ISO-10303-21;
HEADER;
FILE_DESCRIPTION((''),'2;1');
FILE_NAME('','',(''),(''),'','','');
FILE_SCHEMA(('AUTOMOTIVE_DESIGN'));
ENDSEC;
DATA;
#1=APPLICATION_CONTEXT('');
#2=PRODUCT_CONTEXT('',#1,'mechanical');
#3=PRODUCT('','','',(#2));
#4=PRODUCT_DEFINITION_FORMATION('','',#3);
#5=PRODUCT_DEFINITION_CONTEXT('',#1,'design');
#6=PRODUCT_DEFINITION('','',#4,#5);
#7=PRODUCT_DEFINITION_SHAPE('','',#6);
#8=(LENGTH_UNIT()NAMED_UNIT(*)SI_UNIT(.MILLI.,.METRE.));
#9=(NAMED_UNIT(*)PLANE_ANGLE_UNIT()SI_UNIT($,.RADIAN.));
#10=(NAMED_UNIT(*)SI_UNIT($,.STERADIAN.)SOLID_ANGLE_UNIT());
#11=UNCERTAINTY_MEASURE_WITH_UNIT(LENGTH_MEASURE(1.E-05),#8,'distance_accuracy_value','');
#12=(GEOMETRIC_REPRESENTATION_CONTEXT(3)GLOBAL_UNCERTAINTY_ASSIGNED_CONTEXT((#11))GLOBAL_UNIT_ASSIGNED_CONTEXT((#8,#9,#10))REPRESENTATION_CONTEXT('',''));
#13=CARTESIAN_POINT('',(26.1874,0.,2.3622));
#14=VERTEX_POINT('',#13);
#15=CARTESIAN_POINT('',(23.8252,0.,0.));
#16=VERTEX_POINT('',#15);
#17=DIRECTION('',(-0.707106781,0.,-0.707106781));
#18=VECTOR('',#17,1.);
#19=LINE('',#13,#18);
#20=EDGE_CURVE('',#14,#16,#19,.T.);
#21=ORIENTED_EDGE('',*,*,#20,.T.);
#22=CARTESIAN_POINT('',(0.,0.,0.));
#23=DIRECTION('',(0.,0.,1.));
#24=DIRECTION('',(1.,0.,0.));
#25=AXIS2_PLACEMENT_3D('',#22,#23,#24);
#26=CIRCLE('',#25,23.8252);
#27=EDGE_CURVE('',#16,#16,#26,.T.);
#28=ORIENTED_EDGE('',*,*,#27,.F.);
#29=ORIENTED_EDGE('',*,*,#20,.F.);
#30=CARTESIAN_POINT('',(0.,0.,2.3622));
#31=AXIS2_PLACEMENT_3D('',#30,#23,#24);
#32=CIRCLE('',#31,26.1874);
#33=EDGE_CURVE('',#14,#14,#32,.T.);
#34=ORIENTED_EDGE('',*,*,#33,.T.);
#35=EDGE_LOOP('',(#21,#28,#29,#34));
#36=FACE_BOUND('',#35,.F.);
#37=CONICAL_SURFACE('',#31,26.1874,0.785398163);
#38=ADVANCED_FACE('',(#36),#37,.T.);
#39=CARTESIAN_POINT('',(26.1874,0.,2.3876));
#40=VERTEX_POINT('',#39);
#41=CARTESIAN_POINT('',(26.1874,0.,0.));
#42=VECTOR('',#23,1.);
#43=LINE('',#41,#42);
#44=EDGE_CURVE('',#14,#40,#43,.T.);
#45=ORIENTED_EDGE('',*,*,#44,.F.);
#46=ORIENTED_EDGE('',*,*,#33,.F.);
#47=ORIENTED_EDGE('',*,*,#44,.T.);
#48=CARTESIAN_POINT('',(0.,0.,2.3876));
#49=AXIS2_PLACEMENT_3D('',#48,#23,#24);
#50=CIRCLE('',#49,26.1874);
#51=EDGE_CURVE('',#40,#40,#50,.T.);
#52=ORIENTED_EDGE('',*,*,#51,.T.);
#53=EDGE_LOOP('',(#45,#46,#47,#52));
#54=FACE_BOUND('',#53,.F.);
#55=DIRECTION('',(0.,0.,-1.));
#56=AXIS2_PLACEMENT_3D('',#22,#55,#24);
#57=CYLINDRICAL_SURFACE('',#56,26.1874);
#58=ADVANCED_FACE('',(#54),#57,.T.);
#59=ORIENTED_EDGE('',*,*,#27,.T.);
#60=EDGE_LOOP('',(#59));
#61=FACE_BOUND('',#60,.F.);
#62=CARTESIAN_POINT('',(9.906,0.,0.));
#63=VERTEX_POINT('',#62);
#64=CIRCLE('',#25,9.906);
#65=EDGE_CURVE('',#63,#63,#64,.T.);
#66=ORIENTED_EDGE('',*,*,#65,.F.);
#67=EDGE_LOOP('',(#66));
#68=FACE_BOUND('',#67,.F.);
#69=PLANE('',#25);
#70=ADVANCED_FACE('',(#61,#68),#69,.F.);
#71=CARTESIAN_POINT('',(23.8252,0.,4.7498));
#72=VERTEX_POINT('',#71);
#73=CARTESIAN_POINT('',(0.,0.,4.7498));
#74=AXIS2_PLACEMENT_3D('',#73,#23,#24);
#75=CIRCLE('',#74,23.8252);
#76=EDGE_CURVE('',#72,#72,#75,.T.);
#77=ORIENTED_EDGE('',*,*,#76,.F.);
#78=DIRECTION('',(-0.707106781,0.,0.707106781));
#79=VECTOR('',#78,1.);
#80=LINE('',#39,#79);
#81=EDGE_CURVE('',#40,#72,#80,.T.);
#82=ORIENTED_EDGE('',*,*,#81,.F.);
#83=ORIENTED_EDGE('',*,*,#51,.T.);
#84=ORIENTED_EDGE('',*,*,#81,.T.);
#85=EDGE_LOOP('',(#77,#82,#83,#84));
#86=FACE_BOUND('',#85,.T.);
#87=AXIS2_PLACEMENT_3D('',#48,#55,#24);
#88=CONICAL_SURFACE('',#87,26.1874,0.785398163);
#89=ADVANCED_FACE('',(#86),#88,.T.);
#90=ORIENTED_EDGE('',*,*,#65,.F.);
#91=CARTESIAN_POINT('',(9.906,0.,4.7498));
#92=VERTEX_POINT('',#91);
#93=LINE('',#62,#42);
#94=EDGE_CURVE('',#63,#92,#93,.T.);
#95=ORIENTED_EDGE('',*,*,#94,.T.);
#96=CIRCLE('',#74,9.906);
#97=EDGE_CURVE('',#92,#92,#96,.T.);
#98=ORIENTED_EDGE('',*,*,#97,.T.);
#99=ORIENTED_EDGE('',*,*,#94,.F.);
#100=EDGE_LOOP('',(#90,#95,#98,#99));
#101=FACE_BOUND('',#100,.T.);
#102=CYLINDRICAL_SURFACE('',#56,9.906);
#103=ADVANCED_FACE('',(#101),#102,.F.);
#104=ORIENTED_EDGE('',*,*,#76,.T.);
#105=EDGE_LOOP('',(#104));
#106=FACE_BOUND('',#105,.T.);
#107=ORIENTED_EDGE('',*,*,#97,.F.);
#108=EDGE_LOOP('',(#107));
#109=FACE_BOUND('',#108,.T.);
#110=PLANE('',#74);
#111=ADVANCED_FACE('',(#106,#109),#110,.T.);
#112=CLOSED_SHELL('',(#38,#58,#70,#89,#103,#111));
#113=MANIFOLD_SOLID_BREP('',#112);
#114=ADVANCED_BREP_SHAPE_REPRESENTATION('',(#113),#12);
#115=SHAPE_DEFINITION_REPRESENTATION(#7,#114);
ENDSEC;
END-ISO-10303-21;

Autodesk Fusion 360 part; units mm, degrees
sketch "Sketch1" plane through (0, 0, 0) normal (0, 0, 1) x (1, 0, 0)
  circle A0 centre (0, 0) radius 26.1874
  circle A1 centre (0, 0) radius 9.906
  dimension "d1" = 52.3748
  dimension "d2" = 19.812
extrude "Extrude1" add sketch "Sketch1" along normal blind 4.7498
chamfer "Chamfer1" distance 2.3622 angle 45 2 edges at (-24.4152, -9.4698, 4.7498) (-24.4152, -9.4698, 0)
